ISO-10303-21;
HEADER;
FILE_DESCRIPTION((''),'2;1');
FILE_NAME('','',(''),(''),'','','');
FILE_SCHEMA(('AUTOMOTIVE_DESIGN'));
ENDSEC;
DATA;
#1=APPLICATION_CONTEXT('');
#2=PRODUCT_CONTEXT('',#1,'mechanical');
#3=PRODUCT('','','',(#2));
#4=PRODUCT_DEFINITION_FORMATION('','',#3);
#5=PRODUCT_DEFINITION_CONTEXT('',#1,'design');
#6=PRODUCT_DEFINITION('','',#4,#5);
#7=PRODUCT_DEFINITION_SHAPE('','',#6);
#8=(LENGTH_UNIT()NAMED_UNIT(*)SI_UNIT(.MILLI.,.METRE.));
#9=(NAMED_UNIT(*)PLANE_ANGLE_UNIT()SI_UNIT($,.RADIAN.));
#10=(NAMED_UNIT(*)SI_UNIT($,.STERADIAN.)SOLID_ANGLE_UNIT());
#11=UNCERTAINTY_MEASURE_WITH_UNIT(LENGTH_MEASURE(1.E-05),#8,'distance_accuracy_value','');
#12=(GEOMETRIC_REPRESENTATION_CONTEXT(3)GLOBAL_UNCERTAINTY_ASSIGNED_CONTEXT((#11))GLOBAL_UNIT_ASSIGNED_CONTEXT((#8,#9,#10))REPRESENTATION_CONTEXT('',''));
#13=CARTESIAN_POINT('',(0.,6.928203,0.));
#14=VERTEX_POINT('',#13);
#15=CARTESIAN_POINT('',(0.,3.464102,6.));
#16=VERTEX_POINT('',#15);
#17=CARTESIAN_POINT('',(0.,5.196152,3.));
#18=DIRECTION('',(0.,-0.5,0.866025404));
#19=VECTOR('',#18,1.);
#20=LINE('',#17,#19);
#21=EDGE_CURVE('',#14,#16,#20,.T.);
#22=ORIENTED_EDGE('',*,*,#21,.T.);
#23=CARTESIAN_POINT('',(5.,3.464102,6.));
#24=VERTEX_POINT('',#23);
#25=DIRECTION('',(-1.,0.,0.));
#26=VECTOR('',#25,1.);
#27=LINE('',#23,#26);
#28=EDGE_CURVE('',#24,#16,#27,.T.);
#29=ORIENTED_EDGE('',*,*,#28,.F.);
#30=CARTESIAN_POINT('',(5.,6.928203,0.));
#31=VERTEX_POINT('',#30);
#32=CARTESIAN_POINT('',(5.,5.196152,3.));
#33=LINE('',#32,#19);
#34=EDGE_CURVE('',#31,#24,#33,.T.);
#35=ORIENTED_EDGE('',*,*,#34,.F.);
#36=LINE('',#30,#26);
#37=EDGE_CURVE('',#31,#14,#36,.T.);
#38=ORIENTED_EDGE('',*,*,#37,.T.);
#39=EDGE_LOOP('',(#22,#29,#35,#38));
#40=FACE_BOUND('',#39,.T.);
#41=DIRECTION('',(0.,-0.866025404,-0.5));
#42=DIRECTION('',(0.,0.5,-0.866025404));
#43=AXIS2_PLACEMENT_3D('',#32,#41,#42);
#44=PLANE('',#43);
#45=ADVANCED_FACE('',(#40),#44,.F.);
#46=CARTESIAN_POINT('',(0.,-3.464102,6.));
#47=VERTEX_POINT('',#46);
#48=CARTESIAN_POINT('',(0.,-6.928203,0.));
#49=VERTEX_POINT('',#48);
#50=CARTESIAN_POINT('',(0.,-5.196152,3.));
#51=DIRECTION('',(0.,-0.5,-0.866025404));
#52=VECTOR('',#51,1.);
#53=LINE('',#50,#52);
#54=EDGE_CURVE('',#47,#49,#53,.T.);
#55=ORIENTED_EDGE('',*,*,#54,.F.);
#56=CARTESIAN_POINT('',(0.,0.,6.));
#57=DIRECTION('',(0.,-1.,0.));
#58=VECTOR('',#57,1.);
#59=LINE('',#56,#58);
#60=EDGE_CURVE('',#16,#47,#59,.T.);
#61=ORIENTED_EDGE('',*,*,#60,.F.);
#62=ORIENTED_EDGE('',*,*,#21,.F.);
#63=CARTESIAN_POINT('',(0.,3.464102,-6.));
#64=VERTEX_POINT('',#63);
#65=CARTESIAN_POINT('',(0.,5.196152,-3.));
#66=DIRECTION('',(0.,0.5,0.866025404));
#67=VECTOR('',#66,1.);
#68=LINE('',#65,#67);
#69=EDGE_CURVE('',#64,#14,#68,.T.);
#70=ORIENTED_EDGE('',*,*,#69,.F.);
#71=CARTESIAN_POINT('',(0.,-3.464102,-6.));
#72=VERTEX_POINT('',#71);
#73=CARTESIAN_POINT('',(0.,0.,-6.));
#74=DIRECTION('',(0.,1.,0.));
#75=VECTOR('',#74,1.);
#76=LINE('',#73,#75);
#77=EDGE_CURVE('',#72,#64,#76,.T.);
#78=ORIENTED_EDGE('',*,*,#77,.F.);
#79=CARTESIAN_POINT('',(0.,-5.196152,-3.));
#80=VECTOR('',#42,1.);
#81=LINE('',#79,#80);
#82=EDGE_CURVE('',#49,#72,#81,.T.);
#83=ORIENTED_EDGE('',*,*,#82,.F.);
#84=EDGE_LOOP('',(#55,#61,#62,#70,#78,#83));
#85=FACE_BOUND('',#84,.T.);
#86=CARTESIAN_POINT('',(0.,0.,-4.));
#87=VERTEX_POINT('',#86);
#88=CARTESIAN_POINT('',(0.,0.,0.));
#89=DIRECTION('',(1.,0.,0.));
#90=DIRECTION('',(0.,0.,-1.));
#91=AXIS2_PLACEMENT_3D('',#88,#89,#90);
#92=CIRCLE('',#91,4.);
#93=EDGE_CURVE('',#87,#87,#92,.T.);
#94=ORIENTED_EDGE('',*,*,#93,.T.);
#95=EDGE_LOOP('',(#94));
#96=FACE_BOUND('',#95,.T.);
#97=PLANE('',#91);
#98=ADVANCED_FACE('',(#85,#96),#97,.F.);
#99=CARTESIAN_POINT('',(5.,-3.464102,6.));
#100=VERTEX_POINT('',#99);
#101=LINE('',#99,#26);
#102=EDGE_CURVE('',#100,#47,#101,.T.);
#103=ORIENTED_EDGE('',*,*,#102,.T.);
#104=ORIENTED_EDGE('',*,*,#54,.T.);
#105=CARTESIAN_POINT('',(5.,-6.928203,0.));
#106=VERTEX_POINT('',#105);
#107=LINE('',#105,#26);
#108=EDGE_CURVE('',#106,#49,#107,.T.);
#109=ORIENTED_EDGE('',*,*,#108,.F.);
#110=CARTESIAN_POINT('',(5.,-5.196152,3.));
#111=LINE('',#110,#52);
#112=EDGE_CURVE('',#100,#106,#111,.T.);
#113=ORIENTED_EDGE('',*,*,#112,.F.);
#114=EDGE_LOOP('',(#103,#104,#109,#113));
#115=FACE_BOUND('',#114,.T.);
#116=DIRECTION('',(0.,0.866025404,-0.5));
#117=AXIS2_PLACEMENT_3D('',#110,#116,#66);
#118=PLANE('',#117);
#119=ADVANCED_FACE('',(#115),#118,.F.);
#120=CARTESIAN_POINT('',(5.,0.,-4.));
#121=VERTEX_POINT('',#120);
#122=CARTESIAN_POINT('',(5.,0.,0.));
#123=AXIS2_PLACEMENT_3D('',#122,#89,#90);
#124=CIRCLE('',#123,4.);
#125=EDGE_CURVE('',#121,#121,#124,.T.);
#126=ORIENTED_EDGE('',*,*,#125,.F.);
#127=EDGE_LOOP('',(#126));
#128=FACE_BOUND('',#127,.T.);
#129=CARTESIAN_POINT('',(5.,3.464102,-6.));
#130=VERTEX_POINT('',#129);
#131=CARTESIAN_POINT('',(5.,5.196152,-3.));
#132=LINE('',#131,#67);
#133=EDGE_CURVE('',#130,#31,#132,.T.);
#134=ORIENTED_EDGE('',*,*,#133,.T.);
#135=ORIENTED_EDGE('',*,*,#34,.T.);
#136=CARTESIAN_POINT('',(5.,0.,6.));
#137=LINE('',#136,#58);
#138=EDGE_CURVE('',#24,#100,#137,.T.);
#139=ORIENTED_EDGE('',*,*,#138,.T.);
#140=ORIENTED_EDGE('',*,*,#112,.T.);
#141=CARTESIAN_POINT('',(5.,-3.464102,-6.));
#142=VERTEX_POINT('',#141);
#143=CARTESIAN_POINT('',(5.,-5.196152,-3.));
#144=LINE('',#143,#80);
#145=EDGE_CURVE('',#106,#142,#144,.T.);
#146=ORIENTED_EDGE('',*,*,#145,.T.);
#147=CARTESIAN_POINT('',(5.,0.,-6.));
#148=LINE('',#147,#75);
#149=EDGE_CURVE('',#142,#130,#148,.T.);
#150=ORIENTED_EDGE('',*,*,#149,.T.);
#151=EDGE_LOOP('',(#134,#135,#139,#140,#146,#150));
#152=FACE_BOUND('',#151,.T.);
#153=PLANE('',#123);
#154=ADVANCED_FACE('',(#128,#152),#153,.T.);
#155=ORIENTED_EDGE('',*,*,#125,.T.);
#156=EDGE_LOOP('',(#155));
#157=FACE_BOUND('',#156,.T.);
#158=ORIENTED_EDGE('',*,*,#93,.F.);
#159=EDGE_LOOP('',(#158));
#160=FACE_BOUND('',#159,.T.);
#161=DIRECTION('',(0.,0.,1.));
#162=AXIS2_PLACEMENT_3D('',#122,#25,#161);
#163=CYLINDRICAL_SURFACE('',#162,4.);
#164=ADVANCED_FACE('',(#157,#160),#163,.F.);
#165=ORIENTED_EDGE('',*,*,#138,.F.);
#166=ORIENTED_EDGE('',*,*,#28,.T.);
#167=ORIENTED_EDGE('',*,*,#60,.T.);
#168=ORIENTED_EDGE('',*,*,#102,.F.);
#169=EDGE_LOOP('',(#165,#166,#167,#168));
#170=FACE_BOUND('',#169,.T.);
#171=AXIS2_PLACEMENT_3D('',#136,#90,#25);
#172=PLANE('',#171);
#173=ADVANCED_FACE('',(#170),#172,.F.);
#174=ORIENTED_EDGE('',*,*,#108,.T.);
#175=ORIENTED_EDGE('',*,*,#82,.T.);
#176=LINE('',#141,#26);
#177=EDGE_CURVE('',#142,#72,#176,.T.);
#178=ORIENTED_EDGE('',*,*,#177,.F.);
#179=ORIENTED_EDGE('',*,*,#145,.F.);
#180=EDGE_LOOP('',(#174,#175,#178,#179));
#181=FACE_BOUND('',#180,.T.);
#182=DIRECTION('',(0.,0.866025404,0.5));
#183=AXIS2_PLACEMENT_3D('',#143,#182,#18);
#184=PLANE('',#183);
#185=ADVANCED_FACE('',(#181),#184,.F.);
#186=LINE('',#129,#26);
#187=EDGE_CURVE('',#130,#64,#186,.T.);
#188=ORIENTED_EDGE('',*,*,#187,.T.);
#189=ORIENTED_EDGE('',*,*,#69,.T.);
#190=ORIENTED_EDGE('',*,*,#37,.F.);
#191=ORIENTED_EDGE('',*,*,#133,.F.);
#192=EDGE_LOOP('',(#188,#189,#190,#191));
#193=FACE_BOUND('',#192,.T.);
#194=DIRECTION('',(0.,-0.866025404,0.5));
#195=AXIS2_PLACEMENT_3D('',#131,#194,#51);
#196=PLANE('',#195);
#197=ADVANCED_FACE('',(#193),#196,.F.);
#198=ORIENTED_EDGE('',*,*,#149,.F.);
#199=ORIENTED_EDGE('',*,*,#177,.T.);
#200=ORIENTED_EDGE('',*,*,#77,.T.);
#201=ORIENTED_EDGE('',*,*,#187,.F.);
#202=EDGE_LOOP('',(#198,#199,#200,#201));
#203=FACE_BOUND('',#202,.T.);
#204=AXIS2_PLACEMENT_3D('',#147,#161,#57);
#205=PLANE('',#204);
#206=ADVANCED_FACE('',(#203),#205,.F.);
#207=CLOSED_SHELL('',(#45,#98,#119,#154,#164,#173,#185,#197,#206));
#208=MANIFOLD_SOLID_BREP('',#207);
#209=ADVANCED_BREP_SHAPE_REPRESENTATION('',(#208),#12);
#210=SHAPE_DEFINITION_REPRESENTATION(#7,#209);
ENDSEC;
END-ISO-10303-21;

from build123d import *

# Parameters (mm, degrees)
EXTRUDE_1_DEPTH = 5


with BuildPart() as part:
    # 草图1 → 凸台-拉伸1 (new body)
    # profile 1 of 7: a face of its own
    with BuildSketch(Plane(origin=(0, 0, 0), x_dir=(0, 0, -1), z_dir=(1, 0, 0))):
        Polygon((6, -3.464101615), (6, 3.464101615), (0, 6.92820323), (-6, 3.464101615), (-6, -3.464101615), (0, -6.92820323), align=None)
        Polygon((0, -4.618802154), (4, -2.309401077), (4, 2.309401077), (0, 4.618802154), (-4, 2.309401077), (-4, -2.309401077), align=None, mode=Mode.SUBTRACT)
    # profile 2 of 7: a face of its own
    with BuildSketch(Plane(origin=(0, 0, 0), x_dir=(0, 0, -1), z_dir=(1, 0, 0))):
        with BuildLine():
            ThreePointArc((-4, 0), (-3.464101617, 1.999999997), (-2.000000006, 3.464101612))
            Line((-2.000000006, 3.464101612), (-4, 2.309401077))
            Line((-4, 2.309401077), (-4, 0))
        make_face()
    # profile 3 of 7: a face of its own
    with BuildSketch(Plane(origin=(0, 0, 0), x_dir=(0, 0, -1), z_dir=(1, 0, 0))):
        with BuildLine():
            Line((-4, -2.309401077), (-2.000000006, -3.464101612))
            ThreePointArc((-2.000000006, -3.464101612), (-3.464101617, -1.999999997), (-4, 0))
            Line((-4, 0), (-4, -2.309401077))
        make_face()
    # profile 4 of 7: a face of its own
    with BuildSketch(Plane(origin=(0, 0, 0), x_dir=(0, 0, -1), z_dir=(1, 0, 0))):
        with BuildLine():
            Line((0, -4.618802154), (2.000000006, -3.464101612))
            ThreePointArc((2.000000006, -3.464101612), (0, -4), (-2.000000006, -3.464101612))
            Line((-2.000000006, -3.464101612), (0, -4.618802154))
        make_face()
    # profile 5 of 7: a face of its own
    with BuildSketch(Plane(origin=(0, 0, 0), x_dir=(0, 0, -1), z_dir=(1, 0, 0))):
        with BuildLine():
            Line((2.000000006, -3.464101612), (4, -2.309401077))
            Line((4, -2.309401077), (4, 0))
            ThreePointArc((4, 0), (3.464101617, -1.999999997), (2.000000006, -3.464101612))
        make_face()
    # profile 6 of 7: a face of its own
    with BuildSketch(Plane(origin=(0, 0, 0), x_dir=(0, 0, -1), z_dir=(1, 0, 0))):
        with BuildLine():
            ThreePointArc((2.000000034, 3.464101596), (3.464101625, 1.999999983), (4, 0))
            Line((4, 0), (4, 2.309401077))
            Line((4, 2.309401077), (2.000000034, 3.464101596))
        make_face()
    # profile 7 of 7: a face of its own
    with BuildSketch(Plane(origin=(0, 0, 0), x_dir=(0, 0, -1), z_dir=(1, 0, 0))):
        with BuildLine():
            ThreePointArc((-2.000000006, 3.464101612), (1.6e-08, 4), (2.000000034, 3.464101596))
            Line((2.000000034, 3.464101596), (0, 4.618802154))
            Line((0, 4.618802154), (-2.000000006, 3.464101612))
        make_face()
    extrude(amount=EXTRUDE_1_DEPTH)


solid = part.part
